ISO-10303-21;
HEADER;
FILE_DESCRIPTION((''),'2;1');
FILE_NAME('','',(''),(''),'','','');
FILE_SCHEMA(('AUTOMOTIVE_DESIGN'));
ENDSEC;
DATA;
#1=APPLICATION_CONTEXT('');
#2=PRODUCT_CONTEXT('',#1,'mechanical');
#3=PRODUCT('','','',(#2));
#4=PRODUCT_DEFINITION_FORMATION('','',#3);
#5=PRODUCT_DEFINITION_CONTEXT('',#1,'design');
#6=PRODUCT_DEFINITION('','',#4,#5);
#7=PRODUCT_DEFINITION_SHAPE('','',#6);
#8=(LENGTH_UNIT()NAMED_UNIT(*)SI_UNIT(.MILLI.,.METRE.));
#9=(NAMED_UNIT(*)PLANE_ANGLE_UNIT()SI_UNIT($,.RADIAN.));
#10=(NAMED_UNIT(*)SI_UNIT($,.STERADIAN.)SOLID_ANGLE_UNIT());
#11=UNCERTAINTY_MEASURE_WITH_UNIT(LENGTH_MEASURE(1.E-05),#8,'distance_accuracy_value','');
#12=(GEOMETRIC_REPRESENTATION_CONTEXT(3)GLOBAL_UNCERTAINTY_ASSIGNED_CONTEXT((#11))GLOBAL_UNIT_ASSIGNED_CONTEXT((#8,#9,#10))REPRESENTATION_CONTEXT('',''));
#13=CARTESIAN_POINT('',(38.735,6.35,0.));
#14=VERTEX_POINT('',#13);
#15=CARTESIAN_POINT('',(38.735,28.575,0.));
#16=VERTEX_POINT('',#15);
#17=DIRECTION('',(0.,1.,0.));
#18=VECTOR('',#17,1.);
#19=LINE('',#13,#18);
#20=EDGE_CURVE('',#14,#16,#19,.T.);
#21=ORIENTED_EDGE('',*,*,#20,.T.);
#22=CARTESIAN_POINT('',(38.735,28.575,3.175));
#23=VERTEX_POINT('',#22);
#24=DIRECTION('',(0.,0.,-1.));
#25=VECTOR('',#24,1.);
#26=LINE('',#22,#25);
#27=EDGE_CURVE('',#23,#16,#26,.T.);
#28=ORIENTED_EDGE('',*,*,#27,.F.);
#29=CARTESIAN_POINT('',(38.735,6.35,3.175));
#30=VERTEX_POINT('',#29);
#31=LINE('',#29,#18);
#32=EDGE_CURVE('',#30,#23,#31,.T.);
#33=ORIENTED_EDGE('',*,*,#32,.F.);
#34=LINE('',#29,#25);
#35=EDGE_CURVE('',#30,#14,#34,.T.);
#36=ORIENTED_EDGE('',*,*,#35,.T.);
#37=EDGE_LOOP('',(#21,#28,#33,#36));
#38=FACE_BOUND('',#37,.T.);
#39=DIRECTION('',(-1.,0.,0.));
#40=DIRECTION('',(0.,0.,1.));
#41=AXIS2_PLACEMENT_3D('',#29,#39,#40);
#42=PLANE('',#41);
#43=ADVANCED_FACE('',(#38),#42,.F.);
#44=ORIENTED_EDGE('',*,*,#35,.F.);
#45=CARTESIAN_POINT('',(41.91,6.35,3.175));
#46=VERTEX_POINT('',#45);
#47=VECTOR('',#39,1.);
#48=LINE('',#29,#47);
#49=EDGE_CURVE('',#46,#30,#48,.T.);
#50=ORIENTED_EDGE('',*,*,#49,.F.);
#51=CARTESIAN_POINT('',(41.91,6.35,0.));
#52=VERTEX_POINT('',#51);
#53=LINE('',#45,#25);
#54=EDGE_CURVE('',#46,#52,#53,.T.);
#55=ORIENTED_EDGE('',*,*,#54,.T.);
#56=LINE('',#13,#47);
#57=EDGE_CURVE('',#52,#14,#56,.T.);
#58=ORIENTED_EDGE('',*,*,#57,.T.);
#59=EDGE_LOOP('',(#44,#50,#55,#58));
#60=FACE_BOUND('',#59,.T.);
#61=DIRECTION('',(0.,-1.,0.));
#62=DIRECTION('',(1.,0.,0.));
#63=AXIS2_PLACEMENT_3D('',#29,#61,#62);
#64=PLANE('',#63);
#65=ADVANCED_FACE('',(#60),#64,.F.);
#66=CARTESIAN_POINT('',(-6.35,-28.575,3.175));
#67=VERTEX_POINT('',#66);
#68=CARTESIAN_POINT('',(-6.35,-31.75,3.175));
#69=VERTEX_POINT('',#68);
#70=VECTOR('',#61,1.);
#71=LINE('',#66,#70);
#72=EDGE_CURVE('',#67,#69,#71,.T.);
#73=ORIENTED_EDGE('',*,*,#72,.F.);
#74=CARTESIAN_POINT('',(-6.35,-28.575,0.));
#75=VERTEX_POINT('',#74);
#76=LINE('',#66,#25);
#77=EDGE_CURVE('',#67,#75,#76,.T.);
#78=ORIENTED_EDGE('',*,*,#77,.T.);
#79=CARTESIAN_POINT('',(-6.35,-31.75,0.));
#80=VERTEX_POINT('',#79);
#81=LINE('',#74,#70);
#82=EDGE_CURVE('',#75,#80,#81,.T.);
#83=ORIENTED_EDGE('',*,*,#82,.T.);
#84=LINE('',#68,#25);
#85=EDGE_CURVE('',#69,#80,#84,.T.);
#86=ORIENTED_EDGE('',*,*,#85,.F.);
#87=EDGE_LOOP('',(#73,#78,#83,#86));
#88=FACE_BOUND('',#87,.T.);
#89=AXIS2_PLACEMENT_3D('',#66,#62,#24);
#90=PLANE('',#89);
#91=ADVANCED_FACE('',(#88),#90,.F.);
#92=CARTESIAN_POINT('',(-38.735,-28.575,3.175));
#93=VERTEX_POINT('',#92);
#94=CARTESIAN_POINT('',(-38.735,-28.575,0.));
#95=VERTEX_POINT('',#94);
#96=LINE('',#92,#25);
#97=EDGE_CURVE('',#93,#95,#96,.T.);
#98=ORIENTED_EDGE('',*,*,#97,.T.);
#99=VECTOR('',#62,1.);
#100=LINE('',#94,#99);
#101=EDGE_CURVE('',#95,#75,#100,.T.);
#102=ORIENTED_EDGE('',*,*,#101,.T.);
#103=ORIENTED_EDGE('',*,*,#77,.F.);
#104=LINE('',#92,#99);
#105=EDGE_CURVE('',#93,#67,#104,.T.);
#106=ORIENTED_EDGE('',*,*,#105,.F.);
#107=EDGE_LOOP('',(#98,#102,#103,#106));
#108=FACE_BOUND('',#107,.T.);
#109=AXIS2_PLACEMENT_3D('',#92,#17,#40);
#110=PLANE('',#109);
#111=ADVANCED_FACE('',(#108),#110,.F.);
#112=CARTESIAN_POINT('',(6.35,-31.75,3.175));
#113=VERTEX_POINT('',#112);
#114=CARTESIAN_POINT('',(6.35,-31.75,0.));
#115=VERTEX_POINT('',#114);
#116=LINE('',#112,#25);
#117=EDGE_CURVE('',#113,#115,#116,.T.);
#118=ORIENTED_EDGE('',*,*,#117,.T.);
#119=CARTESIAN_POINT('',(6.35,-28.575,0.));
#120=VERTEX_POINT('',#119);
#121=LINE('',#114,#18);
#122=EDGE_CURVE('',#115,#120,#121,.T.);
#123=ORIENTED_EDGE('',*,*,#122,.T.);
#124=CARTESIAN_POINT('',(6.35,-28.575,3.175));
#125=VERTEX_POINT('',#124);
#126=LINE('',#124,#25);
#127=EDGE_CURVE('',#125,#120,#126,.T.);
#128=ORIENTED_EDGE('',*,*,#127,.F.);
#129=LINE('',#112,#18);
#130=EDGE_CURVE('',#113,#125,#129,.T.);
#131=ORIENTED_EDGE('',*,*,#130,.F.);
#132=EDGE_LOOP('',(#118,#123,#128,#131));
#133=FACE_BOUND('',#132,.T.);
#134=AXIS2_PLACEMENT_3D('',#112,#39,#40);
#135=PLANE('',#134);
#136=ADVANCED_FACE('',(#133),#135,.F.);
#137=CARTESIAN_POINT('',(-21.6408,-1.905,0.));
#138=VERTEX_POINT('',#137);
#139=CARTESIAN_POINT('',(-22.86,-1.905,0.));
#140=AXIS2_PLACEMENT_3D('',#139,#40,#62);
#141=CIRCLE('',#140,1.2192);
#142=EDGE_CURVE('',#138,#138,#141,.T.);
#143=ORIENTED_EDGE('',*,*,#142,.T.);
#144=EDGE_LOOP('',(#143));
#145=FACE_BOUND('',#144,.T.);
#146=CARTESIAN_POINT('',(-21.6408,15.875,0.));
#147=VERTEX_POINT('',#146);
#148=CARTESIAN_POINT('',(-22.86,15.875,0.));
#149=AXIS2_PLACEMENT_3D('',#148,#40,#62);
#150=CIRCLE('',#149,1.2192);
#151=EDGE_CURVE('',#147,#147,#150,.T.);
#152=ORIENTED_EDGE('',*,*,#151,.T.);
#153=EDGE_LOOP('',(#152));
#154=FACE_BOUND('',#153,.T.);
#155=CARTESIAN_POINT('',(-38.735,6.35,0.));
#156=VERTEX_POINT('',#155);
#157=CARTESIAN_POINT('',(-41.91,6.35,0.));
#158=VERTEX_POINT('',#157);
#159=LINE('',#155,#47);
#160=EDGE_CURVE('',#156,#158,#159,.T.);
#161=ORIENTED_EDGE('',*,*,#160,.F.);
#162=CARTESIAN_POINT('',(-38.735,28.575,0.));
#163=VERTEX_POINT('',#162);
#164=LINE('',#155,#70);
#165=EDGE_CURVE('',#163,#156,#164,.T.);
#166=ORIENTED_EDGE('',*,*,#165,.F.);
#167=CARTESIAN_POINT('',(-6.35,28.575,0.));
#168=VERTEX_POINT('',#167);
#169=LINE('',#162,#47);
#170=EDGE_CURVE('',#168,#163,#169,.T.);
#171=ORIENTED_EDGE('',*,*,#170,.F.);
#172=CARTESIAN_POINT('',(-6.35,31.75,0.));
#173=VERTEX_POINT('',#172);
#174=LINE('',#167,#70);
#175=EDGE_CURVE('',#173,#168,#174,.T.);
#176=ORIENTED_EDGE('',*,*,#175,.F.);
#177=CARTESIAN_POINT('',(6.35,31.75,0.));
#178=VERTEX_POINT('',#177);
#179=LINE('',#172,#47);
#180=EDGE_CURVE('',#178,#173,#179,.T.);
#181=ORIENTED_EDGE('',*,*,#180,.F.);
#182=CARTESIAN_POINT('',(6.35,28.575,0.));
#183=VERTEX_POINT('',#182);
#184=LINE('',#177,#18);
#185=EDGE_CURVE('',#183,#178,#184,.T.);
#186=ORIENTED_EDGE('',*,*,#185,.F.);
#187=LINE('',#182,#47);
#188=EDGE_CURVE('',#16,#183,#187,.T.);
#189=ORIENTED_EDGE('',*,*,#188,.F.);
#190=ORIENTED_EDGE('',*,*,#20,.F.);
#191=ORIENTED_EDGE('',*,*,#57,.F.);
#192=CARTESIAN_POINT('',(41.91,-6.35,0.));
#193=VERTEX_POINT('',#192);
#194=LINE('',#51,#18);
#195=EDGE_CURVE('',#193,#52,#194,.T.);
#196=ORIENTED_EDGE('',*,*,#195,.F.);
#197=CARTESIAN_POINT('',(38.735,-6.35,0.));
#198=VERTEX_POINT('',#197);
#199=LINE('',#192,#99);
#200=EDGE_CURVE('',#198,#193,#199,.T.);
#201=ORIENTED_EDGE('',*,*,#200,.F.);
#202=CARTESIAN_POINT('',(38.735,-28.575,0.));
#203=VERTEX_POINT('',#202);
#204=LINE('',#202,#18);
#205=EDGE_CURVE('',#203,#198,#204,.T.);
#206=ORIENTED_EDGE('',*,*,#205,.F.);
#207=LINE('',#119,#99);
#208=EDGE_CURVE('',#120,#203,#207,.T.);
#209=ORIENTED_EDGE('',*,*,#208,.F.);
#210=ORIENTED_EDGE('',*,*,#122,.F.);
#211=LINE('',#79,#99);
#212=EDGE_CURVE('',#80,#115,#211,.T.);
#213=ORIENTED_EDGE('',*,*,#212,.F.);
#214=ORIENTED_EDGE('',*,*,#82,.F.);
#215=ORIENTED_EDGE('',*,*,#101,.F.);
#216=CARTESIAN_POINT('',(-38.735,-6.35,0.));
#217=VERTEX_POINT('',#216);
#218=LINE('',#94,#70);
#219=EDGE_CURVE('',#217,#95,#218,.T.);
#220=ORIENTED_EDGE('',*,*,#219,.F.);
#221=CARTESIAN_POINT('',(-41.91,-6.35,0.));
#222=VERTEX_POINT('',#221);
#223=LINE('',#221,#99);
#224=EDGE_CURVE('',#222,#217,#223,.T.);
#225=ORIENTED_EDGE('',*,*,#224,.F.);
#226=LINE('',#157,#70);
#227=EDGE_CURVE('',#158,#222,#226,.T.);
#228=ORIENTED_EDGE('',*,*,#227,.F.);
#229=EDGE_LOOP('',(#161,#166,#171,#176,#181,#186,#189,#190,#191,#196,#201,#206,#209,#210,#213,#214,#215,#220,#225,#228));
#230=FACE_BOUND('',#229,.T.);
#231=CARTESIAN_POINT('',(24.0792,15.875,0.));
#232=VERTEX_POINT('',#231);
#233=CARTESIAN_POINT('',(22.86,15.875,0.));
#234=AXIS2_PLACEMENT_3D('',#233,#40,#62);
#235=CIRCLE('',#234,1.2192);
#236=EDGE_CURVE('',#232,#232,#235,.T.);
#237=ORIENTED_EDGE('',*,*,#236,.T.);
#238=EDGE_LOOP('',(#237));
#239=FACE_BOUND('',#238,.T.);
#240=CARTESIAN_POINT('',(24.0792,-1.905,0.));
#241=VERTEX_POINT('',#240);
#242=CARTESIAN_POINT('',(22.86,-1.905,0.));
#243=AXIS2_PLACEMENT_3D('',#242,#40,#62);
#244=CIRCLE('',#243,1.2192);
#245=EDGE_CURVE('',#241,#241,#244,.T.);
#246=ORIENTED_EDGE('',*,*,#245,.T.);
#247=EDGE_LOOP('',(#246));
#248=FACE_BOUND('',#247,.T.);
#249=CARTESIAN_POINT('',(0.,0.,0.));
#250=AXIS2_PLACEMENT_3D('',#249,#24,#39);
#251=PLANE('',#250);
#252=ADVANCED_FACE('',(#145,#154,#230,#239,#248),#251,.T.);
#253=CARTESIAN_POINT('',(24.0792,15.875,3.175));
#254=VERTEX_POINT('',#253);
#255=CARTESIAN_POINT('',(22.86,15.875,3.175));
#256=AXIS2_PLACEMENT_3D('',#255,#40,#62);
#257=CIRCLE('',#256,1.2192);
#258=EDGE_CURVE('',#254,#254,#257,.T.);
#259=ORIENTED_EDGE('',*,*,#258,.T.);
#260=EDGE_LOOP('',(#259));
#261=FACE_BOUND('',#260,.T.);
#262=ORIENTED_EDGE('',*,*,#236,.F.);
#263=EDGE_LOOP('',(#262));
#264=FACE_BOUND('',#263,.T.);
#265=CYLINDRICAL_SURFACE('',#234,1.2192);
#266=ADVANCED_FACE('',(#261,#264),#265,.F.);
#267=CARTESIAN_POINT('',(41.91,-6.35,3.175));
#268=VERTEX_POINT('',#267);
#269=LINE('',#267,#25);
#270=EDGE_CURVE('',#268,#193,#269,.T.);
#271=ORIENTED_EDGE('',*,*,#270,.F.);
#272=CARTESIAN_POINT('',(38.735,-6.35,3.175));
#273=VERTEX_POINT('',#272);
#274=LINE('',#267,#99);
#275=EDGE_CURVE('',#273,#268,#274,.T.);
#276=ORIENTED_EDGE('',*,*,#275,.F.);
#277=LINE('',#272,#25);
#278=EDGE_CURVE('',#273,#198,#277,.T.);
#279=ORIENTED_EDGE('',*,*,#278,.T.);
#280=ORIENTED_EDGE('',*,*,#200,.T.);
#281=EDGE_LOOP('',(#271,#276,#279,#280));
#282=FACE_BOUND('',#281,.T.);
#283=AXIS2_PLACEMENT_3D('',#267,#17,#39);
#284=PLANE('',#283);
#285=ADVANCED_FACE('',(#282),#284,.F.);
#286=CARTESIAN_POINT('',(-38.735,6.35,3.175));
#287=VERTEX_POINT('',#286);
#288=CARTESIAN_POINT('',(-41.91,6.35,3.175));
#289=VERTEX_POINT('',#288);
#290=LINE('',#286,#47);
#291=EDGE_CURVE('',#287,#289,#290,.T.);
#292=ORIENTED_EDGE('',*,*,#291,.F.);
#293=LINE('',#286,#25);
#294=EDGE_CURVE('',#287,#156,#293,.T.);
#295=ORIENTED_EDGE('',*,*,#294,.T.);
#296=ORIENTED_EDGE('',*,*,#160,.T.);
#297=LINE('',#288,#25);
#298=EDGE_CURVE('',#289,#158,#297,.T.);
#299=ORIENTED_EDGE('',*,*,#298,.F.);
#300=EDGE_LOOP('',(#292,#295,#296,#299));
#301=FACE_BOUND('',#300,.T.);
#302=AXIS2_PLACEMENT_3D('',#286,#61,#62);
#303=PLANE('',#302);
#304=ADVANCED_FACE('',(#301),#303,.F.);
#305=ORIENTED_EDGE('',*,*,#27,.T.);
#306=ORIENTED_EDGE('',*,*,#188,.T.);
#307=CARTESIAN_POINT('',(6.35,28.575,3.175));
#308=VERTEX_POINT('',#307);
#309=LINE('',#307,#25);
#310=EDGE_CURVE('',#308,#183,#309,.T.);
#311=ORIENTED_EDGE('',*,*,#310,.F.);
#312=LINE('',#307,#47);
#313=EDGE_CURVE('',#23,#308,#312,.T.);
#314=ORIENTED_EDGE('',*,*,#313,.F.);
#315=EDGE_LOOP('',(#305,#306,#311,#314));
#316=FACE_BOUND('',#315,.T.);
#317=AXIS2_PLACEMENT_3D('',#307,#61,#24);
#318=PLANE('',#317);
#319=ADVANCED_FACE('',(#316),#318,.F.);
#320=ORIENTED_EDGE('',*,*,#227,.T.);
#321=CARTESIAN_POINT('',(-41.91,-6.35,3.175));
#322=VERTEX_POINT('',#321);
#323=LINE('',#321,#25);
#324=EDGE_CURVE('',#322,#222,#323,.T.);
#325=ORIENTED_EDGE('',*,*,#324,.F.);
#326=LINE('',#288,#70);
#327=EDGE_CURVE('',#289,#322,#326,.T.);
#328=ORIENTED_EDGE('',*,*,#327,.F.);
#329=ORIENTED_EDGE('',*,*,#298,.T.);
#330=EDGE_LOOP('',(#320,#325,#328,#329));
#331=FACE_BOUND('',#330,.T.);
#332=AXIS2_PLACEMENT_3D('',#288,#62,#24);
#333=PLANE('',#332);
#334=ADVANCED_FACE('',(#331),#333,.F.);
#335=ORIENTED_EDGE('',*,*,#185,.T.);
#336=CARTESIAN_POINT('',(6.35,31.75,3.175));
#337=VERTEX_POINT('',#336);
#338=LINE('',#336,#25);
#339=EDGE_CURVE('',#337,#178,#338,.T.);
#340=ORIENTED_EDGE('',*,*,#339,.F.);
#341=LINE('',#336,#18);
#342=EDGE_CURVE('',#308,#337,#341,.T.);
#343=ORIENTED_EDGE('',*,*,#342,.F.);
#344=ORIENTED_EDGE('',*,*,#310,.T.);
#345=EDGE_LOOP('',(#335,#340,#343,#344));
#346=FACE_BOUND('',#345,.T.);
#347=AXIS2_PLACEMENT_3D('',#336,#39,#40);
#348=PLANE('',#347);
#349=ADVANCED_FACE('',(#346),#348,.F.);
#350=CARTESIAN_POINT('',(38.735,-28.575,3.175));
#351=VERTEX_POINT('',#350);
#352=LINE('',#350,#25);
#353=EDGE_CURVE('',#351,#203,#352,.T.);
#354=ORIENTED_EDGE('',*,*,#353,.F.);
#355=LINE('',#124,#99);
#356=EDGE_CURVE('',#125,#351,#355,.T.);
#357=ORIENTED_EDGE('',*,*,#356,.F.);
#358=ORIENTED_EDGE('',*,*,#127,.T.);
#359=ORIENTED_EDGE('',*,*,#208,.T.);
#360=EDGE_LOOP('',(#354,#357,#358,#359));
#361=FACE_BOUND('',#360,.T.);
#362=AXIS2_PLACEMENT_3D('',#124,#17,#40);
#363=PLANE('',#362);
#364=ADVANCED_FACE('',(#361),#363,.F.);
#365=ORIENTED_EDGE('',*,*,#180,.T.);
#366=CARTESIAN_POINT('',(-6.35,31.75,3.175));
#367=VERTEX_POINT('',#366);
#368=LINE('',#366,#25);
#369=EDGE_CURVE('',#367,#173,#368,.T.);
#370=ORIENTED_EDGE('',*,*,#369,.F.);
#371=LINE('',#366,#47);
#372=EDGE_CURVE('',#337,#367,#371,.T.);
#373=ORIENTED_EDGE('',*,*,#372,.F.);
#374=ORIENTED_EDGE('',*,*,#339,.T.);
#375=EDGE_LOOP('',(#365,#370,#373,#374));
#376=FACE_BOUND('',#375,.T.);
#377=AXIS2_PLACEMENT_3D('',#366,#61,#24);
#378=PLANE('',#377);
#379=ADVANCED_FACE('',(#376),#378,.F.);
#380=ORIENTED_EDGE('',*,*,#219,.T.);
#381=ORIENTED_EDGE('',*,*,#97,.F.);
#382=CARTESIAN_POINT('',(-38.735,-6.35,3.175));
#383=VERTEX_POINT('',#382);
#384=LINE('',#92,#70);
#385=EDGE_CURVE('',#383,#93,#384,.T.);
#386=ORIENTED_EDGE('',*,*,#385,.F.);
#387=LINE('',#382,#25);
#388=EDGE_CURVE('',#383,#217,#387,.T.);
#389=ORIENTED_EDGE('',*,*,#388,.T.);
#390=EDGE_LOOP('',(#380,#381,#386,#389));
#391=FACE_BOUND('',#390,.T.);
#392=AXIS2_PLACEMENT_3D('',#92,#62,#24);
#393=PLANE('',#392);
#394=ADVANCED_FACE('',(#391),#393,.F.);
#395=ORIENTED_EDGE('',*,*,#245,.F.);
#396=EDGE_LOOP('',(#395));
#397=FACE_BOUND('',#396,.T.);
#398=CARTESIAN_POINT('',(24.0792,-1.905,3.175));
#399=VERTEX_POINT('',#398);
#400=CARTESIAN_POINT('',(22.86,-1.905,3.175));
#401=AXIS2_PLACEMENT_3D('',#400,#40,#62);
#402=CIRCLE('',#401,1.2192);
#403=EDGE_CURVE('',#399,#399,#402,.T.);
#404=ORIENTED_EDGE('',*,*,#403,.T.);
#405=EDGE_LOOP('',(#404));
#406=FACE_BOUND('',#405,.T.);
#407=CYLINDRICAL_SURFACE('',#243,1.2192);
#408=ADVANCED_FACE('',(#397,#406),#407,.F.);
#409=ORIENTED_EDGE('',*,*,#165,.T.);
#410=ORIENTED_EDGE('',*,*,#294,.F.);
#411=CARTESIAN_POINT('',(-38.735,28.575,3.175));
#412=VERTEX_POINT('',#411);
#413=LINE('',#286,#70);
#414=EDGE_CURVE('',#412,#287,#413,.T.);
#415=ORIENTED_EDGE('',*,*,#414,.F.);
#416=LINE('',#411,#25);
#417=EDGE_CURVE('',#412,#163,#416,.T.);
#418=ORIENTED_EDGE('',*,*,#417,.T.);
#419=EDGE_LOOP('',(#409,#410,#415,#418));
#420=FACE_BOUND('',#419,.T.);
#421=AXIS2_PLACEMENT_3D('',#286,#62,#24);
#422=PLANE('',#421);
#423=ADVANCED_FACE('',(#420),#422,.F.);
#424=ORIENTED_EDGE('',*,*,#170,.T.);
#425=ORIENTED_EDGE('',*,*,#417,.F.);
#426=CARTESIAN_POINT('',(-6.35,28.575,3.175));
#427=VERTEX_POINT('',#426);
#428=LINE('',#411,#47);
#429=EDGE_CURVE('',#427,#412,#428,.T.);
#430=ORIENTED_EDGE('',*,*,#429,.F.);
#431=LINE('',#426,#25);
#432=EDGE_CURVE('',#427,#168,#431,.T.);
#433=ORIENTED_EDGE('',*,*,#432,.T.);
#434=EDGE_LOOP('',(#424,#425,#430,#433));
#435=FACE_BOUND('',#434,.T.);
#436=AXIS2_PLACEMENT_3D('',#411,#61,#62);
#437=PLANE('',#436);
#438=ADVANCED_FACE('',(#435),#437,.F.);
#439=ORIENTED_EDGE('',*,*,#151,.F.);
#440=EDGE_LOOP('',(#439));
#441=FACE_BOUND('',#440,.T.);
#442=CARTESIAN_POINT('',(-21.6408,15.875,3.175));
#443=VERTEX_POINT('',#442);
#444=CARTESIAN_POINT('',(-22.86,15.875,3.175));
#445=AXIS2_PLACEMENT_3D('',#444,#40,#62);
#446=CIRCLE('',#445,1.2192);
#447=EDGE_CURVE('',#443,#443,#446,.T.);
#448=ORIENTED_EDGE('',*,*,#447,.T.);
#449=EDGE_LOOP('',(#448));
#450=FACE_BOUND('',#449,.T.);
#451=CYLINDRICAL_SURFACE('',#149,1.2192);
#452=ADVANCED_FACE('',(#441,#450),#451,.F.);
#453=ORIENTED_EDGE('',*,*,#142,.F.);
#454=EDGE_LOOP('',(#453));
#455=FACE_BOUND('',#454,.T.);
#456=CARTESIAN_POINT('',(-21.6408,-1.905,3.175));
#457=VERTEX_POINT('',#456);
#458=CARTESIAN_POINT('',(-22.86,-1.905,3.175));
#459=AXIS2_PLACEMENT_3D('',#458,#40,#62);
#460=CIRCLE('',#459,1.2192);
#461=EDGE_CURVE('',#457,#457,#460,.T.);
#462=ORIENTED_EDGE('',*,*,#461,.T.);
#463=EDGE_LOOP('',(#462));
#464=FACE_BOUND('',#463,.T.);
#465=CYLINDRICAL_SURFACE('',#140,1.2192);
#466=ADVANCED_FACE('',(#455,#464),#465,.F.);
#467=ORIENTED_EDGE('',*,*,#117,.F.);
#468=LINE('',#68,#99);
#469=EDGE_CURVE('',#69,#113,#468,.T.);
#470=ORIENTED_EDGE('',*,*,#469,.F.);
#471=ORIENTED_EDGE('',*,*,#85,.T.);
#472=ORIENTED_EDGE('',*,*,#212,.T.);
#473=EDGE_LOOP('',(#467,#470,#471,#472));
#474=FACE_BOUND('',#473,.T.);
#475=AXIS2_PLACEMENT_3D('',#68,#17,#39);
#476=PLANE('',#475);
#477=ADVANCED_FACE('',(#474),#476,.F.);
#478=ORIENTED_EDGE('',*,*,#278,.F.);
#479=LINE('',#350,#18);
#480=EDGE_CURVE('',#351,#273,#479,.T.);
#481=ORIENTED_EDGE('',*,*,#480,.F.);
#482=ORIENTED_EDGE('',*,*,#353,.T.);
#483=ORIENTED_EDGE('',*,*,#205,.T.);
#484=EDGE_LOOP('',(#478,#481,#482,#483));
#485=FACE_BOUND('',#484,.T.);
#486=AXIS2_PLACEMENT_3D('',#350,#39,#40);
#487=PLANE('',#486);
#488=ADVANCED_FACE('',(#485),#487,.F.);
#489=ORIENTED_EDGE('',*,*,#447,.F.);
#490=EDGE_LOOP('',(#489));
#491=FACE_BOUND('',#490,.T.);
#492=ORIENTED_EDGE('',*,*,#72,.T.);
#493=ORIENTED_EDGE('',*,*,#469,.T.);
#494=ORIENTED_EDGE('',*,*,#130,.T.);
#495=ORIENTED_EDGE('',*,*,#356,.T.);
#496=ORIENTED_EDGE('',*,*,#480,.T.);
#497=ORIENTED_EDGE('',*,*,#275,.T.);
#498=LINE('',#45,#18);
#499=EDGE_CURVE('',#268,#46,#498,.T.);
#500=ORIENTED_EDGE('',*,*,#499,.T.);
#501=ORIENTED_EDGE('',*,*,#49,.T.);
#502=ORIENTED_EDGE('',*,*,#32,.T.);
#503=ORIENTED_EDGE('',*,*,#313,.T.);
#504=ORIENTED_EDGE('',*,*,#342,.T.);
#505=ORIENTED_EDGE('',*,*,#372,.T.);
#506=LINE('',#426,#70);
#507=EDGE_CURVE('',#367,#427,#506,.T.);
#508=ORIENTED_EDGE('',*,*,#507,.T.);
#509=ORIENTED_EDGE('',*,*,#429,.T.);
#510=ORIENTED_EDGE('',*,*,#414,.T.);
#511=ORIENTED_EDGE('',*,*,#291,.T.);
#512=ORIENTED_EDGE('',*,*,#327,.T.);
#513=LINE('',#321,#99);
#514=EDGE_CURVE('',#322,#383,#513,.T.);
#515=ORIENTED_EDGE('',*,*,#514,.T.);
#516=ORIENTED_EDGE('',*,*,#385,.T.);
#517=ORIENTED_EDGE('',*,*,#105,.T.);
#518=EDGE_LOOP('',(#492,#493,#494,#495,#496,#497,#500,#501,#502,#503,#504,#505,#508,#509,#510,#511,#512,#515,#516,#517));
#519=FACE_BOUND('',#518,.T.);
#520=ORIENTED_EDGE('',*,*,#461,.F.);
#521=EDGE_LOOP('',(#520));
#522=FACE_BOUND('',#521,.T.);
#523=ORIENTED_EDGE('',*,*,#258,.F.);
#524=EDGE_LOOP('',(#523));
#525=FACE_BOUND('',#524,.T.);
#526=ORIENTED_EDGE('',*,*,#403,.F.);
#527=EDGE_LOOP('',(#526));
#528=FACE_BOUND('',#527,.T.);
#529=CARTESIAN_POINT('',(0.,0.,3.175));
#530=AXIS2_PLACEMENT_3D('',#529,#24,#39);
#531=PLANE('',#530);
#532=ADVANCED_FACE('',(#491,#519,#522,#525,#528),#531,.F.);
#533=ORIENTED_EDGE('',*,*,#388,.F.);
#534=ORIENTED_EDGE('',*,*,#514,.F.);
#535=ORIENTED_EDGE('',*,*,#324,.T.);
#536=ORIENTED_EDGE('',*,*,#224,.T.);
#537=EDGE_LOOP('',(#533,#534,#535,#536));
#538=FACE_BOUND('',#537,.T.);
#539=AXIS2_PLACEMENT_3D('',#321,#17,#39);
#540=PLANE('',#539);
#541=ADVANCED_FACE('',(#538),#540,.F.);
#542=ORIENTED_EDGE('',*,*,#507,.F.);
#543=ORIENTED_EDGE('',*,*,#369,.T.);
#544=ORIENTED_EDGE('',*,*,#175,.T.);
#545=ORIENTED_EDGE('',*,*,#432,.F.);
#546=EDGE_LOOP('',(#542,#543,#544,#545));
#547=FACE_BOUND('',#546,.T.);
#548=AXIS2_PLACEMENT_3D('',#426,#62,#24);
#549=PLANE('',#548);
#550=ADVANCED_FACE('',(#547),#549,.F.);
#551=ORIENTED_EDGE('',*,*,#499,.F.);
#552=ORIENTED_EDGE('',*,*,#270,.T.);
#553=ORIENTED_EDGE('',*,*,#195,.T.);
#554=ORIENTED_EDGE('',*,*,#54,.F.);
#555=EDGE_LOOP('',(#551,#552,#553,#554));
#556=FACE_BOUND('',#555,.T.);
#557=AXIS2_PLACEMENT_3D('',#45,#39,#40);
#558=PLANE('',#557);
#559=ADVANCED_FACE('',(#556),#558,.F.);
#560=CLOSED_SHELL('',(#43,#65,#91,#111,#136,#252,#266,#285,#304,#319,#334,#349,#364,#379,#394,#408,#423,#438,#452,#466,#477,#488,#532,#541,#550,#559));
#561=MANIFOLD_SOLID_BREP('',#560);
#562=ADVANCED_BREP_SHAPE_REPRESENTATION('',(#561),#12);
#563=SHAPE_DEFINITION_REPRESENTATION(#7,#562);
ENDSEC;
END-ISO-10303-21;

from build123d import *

# Parameters (mm, degrees)
BOSS_EXTRUDE1_DEPTH = 3.175
SKETCH2_R           = 1.2192
CUT_EXTRUDE1_DEPTH  = 4.175


with BuildPart() as part:
    # Sketch1 → Boss-Extrude1 (new body)
    with BuildSketch(Plane.XY):
        Polygon((-38.735, 6.35), (-41.91, 6.35), (-41.91, -6.35), (-38.735, -6.35), (-38.735, -28.575), (-6.35, -28.575), (-6.35, -31.75), (6.35, -31.75), (6.35, -28.575), (38.735, -28.575), (38.735, -6.35), (41.91, -6.35), (41.91, 6.35), (38.735, 6.35), (38.735, 28.575), (6.35, 28.575), (6.35, 31.75), (-6.35, 31.75), (-6.35, 28.575), (-38.735, 28.575), align=None)
    extrude(amount=BOSS_EXTRUDE1_DEPTH)

    # Sketch2 → Cut-Extrude1 (cut, through all)
    with BuildSketch(Plane.XY.offset(3.175)):
        with Locations((-22.86, 15.875)):
            Circle(SKETCH2_R)
        with Locations((22.86, 15.875)):
            Circle(SKETCH2_R)
        with Locations((22.86, -1.905)):
            Circle(SKETCH2_R)
        with Locations((-22.86, -1.905)):
            Circle(SKETCH2_R)
    extrude(amount=-CUT_EXTRUDE1_DEPTH, mode=Mode.SUBTRACT)


solid = part.part
